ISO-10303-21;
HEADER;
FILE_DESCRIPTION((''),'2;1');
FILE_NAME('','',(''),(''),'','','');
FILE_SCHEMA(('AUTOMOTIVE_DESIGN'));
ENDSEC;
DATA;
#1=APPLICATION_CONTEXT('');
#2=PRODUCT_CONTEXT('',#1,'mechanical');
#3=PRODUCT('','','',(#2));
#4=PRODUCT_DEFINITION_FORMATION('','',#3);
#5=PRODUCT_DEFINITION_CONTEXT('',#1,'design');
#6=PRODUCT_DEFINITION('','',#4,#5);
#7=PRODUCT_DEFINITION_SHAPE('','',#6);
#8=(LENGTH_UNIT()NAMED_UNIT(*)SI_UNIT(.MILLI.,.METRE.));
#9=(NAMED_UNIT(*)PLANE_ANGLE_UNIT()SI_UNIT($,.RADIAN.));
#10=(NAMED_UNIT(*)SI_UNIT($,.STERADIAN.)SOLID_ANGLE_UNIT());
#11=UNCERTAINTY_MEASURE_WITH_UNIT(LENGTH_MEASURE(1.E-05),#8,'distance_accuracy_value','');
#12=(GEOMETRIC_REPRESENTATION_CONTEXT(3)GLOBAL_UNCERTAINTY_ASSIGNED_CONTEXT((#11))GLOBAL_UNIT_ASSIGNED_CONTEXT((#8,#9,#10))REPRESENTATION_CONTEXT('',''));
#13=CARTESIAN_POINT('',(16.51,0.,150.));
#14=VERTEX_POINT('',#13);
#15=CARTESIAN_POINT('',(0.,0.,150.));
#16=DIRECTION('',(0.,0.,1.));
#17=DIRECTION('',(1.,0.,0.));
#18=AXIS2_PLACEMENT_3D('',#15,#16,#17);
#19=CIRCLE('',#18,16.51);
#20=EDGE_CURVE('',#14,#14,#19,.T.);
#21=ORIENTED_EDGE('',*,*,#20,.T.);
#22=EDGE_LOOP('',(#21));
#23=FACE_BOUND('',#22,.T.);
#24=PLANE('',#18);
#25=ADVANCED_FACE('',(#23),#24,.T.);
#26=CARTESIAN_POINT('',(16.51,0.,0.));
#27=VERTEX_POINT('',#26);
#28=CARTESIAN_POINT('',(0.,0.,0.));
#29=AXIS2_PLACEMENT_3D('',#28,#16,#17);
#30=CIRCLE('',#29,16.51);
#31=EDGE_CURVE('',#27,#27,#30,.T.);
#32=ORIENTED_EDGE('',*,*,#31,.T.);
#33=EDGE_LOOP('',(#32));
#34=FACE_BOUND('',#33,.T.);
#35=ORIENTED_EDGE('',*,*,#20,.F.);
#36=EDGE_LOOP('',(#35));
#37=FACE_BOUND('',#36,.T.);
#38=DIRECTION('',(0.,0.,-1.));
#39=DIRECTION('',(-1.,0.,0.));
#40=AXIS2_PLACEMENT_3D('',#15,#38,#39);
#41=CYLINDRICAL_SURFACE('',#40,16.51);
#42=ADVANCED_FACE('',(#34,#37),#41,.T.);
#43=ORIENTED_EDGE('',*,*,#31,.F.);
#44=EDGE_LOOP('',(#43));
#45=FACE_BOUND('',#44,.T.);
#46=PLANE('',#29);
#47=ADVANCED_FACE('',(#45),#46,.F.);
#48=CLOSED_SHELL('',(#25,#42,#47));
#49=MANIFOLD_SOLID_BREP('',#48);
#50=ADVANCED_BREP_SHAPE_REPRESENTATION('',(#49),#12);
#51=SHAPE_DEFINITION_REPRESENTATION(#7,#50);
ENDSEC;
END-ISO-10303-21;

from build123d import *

# Parameters (mm, degrees)
SKETCH1_R           = 16.51
BOSS_EXTRUDE1_DEPTH = 150


with BuildPart() as part:
    # Sketch1 → Boss-Extrude1 (new body)
    with BuildSketch(Plane.XY):
        Circle(SKETCH1_R)
    extrude(amount=BOSS_EXTRUDE1_DEPTH)


solid = part.part
